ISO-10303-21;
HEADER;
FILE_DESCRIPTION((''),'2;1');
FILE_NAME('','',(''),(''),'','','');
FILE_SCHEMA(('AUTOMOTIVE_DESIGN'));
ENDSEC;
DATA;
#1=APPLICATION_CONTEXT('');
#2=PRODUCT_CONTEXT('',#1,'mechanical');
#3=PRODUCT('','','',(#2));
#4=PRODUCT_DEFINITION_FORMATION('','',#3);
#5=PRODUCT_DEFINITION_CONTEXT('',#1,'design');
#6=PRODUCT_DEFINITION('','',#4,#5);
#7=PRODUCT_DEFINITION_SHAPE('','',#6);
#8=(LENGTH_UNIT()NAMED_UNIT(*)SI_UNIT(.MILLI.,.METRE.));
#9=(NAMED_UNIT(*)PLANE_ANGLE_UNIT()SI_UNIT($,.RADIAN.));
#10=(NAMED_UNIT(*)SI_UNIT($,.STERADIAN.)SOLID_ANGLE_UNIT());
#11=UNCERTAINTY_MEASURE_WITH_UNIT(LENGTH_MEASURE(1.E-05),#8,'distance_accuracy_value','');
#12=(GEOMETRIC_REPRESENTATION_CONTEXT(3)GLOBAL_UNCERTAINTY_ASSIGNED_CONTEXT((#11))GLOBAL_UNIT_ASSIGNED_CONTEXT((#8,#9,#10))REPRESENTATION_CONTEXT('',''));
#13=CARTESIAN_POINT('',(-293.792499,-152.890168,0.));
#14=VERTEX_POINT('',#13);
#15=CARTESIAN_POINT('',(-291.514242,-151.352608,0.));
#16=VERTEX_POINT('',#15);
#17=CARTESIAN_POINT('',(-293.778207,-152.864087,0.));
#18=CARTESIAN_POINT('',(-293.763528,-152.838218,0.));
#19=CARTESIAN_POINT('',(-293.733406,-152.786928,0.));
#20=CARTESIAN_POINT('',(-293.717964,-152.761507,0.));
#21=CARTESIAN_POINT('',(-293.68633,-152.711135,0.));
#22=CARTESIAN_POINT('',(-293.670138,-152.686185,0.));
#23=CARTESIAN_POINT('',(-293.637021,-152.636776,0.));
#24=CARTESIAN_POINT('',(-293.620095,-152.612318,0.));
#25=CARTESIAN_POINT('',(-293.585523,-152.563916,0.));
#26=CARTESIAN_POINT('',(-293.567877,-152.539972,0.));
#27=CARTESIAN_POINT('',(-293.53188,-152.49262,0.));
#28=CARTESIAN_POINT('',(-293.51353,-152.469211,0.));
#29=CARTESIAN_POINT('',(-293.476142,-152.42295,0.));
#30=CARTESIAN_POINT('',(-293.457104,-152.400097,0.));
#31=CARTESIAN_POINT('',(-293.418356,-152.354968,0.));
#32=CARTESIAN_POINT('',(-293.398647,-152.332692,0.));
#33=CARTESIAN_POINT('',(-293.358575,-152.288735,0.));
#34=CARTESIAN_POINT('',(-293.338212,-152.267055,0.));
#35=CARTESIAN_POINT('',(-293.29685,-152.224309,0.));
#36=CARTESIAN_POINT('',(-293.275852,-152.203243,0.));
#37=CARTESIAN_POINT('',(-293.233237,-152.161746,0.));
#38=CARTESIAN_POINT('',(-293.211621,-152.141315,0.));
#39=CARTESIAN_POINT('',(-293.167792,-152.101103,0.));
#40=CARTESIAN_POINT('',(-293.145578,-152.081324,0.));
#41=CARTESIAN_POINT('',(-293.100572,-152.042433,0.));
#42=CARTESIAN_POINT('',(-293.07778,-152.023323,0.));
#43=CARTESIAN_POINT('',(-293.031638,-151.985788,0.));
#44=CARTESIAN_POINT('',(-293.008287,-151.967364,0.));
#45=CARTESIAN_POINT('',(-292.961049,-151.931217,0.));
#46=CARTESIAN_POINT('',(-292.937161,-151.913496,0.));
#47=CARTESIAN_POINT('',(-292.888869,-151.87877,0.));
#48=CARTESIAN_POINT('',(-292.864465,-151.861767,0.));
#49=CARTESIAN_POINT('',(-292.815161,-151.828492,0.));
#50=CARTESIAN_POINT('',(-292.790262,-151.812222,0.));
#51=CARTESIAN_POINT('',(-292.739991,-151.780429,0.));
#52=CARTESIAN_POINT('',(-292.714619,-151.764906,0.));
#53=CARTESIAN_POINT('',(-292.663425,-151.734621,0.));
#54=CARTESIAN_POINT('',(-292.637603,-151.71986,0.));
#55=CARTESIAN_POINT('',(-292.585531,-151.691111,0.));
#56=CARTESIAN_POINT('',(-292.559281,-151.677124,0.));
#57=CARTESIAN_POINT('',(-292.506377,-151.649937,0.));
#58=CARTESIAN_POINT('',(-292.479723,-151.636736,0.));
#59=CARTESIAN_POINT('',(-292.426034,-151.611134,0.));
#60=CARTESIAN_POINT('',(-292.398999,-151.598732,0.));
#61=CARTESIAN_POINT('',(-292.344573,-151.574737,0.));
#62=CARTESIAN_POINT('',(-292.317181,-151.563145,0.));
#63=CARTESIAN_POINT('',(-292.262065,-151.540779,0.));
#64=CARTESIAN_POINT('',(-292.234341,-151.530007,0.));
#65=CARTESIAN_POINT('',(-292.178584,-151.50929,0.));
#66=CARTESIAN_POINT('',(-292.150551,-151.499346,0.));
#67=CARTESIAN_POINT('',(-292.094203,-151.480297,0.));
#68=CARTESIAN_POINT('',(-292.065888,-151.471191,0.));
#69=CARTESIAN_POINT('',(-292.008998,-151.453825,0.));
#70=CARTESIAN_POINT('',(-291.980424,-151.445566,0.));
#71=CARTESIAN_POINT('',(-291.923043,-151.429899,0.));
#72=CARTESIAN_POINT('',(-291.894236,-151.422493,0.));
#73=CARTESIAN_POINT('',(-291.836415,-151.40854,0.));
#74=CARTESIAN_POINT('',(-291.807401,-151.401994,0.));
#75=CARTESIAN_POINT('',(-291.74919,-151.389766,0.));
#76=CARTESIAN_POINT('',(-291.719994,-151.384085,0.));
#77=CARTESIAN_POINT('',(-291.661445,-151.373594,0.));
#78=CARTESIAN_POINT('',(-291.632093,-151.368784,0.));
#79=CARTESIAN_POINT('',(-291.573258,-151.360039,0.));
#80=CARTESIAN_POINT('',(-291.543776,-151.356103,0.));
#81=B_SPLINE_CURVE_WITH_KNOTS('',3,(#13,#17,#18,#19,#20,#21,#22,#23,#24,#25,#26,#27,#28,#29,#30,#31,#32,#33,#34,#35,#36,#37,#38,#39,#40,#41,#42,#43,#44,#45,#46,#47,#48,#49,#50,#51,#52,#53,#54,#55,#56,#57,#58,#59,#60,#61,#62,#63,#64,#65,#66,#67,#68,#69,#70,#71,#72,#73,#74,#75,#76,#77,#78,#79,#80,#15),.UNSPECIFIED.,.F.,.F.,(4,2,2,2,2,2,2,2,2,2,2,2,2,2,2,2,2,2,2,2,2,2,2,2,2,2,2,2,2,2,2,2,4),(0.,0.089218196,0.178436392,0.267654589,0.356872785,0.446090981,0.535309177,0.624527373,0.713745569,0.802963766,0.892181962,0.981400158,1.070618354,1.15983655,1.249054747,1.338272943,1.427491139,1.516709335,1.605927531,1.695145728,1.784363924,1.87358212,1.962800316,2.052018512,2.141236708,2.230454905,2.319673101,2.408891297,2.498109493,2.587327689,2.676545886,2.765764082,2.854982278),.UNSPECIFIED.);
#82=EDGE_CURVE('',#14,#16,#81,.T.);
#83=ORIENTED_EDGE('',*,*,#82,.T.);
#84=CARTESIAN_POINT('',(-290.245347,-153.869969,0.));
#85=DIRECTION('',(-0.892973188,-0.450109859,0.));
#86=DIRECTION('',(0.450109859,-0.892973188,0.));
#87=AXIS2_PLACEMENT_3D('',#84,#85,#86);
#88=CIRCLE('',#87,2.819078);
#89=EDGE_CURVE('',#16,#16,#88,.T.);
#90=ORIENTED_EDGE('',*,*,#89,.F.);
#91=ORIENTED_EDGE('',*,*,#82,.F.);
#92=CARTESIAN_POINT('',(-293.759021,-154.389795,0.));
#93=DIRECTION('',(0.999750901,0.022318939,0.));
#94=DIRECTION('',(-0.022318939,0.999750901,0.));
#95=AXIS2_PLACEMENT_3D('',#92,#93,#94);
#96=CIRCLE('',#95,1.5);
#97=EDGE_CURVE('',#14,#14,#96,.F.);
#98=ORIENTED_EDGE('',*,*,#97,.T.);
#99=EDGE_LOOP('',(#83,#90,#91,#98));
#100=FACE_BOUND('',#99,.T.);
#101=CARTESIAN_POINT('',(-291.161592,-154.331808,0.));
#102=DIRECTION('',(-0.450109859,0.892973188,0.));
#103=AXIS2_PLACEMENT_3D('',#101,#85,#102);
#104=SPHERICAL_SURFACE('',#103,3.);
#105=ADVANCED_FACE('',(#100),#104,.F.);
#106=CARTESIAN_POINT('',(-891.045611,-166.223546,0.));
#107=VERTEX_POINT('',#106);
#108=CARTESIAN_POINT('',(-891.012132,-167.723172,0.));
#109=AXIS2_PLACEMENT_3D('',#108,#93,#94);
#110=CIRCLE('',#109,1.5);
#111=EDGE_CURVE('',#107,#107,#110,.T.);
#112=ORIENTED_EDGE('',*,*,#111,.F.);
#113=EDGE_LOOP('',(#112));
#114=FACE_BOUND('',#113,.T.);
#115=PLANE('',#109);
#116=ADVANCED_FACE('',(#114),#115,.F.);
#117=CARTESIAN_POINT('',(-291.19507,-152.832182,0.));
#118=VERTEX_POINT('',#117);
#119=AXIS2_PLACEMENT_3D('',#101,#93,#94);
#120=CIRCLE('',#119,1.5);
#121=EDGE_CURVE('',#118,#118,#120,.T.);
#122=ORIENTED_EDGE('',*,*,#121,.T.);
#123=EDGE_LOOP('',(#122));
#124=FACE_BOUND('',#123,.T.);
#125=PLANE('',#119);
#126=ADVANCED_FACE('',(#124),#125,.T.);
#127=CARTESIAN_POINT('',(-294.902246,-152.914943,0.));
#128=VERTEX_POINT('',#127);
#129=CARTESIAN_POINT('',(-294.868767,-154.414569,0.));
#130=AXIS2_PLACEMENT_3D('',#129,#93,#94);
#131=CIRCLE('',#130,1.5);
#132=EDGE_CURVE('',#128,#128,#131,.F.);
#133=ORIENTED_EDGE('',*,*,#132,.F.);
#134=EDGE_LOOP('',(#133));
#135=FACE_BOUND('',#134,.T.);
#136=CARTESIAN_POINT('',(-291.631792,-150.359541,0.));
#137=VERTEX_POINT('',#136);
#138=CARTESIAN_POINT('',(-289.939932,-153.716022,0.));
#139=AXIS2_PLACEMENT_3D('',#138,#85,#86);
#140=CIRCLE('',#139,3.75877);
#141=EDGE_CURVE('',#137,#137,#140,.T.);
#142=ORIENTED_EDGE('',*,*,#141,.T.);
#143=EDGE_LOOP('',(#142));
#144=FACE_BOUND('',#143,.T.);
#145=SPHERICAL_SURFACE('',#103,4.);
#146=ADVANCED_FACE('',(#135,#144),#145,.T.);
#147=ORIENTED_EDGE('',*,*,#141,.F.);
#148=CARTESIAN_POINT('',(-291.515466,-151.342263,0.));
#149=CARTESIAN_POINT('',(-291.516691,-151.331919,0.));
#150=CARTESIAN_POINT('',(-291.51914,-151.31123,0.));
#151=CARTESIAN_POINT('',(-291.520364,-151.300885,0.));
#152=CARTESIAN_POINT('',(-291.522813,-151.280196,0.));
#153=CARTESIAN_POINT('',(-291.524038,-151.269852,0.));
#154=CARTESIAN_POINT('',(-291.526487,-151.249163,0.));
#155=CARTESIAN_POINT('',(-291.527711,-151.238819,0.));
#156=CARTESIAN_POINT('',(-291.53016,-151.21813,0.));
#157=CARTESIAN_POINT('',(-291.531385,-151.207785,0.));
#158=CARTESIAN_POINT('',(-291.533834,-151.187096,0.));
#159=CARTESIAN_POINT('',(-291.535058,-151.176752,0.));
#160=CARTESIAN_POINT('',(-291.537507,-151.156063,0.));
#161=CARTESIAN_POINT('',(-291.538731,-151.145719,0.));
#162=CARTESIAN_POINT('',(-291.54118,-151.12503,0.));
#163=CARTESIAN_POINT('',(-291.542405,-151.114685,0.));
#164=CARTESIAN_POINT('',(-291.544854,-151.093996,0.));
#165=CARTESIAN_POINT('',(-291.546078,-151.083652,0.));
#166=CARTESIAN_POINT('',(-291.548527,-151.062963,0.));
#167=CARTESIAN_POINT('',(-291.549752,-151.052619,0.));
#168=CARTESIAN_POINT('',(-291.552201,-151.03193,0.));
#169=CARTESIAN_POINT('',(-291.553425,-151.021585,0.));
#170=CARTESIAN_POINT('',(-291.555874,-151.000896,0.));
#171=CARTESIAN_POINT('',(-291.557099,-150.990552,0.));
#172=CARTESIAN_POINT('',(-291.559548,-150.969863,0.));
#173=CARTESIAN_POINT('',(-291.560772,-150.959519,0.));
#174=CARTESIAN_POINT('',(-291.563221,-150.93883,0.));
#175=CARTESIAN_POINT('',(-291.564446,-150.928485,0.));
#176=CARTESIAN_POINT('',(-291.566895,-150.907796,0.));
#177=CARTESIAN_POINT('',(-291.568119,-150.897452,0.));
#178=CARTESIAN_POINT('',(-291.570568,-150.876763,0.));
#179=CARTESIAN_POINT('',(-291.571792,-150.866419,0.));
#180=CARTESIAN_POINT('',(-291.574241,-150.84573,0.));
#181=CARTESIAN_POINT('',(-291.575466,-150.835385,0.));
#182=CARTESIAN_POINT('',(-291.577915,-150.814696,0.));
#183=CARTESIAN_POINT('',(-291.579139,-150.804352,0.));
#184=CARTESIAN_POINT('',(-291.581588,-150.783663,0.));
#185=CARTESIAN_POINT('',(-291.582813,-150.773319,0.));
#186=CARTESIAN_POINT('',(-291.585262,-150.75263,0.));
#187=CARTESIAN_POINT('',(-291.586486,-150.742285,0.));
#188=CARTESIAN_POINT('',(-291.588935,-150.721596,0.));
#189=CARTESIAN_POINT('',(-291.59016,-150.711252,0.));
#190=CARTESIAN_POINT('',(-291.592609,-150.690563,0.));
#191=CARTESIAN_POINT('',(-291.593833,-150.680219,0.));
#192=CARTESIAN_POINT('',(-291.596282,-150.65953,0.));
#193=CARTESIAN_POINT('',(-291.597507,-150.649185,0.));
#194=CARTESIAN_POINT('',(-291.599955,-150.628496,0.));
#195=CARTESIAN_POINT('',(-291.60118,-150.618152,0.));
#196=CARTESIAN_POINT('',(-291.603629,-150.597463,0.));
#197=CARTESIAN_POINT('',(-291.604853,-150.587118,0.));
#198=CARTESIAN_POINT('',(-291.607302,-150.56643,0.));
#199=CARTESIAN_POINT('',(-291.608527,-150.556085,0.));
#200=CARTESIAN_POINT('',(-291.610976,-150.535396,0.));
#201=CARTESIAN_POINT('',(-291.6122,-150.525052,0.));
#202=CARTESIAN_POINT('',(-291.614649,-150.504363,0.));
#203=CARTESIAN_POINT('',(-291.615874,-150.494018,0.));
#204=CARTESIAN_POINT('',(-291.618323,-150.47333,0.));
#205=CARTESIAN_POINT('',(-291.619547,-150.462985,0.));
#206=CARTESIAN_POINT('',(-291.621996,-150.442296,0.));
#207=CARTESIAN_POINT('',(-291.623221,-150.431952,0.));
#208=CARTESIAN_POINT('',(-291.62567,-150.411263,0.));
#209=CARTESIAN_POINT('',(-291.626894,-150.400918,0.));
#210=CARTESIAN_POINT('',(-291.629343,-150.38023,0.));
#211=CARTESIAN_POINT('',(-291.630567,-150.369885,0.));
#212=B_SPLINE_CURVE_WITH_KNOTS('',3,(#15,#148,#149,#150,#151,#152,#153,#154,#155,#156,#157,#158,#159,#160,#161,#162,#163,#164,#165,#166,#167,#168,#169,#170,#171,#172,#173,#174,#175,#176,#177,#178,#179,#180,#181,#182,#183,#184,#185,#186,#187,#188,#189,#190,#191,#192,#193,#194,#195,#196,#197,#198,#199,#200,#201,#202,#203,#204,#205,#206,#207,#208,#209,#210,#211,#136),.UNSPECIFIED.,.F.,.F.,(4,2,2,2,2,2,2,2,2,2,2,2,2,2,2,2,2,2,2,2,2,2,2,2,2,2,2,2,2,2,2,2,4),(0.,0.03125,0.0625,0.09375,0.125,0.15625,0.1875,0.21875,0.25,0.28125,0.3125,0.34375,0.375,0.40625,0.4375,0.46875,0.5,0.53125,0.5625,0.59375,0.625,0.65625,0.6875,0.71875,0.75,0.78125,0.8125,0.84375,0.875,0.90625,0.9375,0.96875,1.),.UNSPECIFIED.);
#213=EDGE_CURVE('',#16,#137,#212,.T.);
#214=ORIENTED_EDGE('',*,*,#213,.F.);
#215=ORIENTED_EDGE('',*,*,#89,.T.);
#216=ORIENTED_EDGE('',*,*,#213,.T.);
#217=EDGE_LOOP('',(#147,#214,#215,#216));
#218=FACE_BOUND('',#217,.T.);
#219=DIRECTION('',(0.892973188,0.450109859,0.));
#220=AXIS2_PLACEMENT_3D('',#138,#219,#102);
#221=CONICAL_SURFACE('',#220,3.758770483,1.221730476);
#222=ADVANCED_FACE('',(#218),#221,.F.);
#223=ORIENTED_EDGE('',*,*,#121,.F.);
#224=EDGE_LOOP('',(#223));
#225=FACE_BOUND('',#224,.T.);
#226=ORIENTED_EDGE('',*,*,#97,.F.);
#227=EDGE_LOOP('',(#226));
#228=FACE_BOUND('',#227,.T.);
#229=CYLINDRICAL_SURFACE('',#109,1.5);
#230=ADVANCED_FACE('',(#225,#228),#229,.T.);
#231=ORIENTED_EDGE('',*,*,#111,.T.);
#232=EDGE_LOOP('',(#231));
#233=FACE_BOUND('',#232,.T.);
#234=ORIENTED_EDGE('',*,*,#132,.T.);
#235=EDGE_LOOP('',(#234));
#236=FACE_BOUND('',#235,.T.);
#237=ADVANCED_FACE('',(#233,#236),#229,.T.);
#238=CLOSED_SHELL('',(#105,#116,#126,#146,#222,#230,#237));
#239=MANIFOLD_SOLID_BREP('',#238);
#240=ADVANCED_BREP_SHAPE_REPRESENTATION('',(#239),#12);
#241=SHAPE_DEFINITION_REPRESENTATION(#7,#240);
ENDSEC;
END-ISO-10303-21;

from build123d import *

# Parameters (mm, degrees)
ESQUISSE4_R        = 1.5
BOSS_EXTRU_1_DEPTH = 600


with BuildPart() as part:
    # Esquisse4 → Boss.-Extru.1 (new body)
    with BuildSketch(Plane(origin=(-291.161591592, -154.331808471, 0), x_dir=(0, 0, -1), z_dir=(0.9997509014565378, 0.022318938972097364, 0))):
        with Locations(Location((0, 0, 0), (0, 0, 90))):
            Circle(ESQUISSE4_R)
    extrude(amount=-BOSS_EXTRU_1_DEPTH)

    # Esquisse5 → Révol.-Mince1 (revolve)
    with BuildSketch(Plane.XY):
        with BuildLine():
            ThreePointArc((-291.514241878, -151.352607609), (-293.804281963, -152.911883259), (-293.840511157, -155.682138047))
            Line((-293.840511157, -155.682138047), (-294.733484345, -156.132247906))
            ThreePointArc((-294.733484345, -156.132247906), (-294.685178753, -152.438574855), (-291.631791973, -150.359540655))
            Line((-291.631791973, -150.359540655), (-291.514241878, -151.352607609))
        make_face()
    revolve(axis=Axis((-293.840511157, -155.682138047, 0), (0.8929731882535339, 0.45010985887927285, 0)))


solid = part.part
